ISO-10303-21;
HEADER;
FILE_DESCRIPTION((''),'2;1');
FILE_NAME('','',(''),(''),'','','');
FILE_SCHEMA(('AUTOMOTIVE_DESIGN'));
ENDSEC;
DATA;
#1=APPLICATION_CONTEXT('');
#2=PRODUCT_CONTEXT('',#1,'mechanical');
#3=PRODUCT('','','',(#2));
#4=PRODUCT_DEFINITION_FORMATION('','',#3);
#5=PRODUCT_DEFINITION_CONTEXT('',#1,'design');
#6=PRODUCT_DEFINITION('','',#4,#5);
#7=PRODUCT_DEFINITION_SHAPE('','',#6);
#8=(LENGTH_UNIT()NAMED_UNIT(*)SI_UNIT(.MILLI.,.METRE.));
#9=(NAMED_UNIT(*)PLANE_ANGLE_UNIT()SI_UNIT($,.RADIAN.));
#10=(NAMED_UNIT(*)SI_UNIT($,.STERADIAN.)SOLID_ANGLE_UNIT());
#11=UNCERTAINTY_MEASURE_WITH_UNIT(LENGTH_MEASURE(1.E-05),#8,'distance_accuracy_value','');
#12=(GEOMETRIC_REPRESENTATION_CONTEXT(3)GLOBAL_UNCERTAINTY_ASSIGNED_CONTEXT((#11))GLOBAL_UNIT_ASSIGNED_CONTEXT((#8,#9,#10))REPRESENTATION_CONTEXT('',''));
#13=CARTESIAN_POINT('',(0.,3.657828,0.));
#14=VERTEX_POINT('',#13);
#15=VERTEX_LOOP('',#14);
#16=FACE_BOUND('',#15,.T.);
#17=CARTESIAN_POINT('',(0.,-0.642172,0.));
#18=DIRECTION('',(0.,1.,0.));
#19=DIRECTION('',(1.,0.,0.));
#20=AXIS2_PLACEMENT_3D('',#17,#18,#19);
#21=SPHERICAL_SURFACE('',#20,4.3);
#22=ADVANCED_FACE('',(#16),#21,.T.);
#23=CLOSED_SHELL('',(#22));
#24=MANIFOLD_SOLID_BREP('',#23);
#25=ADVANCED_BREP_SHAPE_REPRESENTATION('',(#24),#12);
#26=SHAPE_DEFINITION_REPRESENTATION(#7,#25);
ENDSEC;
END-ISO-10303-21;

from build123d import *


with BuildPart() as part:
    # Sketch1 → Revolve3 (revolve)
    with BuildSketch(Plane.XY):
        with BuildLine():
            Line((0, 3.65782753), (0, -4.94217247))
            ThreePointArc((0, -4.94217247), (4.3, -0.64217247), (0, 3.65782753))
        make_face()
    revolve(axis=Axis((0, 3.65782753, 0), (0, -1, 0)))


solid = part.part
